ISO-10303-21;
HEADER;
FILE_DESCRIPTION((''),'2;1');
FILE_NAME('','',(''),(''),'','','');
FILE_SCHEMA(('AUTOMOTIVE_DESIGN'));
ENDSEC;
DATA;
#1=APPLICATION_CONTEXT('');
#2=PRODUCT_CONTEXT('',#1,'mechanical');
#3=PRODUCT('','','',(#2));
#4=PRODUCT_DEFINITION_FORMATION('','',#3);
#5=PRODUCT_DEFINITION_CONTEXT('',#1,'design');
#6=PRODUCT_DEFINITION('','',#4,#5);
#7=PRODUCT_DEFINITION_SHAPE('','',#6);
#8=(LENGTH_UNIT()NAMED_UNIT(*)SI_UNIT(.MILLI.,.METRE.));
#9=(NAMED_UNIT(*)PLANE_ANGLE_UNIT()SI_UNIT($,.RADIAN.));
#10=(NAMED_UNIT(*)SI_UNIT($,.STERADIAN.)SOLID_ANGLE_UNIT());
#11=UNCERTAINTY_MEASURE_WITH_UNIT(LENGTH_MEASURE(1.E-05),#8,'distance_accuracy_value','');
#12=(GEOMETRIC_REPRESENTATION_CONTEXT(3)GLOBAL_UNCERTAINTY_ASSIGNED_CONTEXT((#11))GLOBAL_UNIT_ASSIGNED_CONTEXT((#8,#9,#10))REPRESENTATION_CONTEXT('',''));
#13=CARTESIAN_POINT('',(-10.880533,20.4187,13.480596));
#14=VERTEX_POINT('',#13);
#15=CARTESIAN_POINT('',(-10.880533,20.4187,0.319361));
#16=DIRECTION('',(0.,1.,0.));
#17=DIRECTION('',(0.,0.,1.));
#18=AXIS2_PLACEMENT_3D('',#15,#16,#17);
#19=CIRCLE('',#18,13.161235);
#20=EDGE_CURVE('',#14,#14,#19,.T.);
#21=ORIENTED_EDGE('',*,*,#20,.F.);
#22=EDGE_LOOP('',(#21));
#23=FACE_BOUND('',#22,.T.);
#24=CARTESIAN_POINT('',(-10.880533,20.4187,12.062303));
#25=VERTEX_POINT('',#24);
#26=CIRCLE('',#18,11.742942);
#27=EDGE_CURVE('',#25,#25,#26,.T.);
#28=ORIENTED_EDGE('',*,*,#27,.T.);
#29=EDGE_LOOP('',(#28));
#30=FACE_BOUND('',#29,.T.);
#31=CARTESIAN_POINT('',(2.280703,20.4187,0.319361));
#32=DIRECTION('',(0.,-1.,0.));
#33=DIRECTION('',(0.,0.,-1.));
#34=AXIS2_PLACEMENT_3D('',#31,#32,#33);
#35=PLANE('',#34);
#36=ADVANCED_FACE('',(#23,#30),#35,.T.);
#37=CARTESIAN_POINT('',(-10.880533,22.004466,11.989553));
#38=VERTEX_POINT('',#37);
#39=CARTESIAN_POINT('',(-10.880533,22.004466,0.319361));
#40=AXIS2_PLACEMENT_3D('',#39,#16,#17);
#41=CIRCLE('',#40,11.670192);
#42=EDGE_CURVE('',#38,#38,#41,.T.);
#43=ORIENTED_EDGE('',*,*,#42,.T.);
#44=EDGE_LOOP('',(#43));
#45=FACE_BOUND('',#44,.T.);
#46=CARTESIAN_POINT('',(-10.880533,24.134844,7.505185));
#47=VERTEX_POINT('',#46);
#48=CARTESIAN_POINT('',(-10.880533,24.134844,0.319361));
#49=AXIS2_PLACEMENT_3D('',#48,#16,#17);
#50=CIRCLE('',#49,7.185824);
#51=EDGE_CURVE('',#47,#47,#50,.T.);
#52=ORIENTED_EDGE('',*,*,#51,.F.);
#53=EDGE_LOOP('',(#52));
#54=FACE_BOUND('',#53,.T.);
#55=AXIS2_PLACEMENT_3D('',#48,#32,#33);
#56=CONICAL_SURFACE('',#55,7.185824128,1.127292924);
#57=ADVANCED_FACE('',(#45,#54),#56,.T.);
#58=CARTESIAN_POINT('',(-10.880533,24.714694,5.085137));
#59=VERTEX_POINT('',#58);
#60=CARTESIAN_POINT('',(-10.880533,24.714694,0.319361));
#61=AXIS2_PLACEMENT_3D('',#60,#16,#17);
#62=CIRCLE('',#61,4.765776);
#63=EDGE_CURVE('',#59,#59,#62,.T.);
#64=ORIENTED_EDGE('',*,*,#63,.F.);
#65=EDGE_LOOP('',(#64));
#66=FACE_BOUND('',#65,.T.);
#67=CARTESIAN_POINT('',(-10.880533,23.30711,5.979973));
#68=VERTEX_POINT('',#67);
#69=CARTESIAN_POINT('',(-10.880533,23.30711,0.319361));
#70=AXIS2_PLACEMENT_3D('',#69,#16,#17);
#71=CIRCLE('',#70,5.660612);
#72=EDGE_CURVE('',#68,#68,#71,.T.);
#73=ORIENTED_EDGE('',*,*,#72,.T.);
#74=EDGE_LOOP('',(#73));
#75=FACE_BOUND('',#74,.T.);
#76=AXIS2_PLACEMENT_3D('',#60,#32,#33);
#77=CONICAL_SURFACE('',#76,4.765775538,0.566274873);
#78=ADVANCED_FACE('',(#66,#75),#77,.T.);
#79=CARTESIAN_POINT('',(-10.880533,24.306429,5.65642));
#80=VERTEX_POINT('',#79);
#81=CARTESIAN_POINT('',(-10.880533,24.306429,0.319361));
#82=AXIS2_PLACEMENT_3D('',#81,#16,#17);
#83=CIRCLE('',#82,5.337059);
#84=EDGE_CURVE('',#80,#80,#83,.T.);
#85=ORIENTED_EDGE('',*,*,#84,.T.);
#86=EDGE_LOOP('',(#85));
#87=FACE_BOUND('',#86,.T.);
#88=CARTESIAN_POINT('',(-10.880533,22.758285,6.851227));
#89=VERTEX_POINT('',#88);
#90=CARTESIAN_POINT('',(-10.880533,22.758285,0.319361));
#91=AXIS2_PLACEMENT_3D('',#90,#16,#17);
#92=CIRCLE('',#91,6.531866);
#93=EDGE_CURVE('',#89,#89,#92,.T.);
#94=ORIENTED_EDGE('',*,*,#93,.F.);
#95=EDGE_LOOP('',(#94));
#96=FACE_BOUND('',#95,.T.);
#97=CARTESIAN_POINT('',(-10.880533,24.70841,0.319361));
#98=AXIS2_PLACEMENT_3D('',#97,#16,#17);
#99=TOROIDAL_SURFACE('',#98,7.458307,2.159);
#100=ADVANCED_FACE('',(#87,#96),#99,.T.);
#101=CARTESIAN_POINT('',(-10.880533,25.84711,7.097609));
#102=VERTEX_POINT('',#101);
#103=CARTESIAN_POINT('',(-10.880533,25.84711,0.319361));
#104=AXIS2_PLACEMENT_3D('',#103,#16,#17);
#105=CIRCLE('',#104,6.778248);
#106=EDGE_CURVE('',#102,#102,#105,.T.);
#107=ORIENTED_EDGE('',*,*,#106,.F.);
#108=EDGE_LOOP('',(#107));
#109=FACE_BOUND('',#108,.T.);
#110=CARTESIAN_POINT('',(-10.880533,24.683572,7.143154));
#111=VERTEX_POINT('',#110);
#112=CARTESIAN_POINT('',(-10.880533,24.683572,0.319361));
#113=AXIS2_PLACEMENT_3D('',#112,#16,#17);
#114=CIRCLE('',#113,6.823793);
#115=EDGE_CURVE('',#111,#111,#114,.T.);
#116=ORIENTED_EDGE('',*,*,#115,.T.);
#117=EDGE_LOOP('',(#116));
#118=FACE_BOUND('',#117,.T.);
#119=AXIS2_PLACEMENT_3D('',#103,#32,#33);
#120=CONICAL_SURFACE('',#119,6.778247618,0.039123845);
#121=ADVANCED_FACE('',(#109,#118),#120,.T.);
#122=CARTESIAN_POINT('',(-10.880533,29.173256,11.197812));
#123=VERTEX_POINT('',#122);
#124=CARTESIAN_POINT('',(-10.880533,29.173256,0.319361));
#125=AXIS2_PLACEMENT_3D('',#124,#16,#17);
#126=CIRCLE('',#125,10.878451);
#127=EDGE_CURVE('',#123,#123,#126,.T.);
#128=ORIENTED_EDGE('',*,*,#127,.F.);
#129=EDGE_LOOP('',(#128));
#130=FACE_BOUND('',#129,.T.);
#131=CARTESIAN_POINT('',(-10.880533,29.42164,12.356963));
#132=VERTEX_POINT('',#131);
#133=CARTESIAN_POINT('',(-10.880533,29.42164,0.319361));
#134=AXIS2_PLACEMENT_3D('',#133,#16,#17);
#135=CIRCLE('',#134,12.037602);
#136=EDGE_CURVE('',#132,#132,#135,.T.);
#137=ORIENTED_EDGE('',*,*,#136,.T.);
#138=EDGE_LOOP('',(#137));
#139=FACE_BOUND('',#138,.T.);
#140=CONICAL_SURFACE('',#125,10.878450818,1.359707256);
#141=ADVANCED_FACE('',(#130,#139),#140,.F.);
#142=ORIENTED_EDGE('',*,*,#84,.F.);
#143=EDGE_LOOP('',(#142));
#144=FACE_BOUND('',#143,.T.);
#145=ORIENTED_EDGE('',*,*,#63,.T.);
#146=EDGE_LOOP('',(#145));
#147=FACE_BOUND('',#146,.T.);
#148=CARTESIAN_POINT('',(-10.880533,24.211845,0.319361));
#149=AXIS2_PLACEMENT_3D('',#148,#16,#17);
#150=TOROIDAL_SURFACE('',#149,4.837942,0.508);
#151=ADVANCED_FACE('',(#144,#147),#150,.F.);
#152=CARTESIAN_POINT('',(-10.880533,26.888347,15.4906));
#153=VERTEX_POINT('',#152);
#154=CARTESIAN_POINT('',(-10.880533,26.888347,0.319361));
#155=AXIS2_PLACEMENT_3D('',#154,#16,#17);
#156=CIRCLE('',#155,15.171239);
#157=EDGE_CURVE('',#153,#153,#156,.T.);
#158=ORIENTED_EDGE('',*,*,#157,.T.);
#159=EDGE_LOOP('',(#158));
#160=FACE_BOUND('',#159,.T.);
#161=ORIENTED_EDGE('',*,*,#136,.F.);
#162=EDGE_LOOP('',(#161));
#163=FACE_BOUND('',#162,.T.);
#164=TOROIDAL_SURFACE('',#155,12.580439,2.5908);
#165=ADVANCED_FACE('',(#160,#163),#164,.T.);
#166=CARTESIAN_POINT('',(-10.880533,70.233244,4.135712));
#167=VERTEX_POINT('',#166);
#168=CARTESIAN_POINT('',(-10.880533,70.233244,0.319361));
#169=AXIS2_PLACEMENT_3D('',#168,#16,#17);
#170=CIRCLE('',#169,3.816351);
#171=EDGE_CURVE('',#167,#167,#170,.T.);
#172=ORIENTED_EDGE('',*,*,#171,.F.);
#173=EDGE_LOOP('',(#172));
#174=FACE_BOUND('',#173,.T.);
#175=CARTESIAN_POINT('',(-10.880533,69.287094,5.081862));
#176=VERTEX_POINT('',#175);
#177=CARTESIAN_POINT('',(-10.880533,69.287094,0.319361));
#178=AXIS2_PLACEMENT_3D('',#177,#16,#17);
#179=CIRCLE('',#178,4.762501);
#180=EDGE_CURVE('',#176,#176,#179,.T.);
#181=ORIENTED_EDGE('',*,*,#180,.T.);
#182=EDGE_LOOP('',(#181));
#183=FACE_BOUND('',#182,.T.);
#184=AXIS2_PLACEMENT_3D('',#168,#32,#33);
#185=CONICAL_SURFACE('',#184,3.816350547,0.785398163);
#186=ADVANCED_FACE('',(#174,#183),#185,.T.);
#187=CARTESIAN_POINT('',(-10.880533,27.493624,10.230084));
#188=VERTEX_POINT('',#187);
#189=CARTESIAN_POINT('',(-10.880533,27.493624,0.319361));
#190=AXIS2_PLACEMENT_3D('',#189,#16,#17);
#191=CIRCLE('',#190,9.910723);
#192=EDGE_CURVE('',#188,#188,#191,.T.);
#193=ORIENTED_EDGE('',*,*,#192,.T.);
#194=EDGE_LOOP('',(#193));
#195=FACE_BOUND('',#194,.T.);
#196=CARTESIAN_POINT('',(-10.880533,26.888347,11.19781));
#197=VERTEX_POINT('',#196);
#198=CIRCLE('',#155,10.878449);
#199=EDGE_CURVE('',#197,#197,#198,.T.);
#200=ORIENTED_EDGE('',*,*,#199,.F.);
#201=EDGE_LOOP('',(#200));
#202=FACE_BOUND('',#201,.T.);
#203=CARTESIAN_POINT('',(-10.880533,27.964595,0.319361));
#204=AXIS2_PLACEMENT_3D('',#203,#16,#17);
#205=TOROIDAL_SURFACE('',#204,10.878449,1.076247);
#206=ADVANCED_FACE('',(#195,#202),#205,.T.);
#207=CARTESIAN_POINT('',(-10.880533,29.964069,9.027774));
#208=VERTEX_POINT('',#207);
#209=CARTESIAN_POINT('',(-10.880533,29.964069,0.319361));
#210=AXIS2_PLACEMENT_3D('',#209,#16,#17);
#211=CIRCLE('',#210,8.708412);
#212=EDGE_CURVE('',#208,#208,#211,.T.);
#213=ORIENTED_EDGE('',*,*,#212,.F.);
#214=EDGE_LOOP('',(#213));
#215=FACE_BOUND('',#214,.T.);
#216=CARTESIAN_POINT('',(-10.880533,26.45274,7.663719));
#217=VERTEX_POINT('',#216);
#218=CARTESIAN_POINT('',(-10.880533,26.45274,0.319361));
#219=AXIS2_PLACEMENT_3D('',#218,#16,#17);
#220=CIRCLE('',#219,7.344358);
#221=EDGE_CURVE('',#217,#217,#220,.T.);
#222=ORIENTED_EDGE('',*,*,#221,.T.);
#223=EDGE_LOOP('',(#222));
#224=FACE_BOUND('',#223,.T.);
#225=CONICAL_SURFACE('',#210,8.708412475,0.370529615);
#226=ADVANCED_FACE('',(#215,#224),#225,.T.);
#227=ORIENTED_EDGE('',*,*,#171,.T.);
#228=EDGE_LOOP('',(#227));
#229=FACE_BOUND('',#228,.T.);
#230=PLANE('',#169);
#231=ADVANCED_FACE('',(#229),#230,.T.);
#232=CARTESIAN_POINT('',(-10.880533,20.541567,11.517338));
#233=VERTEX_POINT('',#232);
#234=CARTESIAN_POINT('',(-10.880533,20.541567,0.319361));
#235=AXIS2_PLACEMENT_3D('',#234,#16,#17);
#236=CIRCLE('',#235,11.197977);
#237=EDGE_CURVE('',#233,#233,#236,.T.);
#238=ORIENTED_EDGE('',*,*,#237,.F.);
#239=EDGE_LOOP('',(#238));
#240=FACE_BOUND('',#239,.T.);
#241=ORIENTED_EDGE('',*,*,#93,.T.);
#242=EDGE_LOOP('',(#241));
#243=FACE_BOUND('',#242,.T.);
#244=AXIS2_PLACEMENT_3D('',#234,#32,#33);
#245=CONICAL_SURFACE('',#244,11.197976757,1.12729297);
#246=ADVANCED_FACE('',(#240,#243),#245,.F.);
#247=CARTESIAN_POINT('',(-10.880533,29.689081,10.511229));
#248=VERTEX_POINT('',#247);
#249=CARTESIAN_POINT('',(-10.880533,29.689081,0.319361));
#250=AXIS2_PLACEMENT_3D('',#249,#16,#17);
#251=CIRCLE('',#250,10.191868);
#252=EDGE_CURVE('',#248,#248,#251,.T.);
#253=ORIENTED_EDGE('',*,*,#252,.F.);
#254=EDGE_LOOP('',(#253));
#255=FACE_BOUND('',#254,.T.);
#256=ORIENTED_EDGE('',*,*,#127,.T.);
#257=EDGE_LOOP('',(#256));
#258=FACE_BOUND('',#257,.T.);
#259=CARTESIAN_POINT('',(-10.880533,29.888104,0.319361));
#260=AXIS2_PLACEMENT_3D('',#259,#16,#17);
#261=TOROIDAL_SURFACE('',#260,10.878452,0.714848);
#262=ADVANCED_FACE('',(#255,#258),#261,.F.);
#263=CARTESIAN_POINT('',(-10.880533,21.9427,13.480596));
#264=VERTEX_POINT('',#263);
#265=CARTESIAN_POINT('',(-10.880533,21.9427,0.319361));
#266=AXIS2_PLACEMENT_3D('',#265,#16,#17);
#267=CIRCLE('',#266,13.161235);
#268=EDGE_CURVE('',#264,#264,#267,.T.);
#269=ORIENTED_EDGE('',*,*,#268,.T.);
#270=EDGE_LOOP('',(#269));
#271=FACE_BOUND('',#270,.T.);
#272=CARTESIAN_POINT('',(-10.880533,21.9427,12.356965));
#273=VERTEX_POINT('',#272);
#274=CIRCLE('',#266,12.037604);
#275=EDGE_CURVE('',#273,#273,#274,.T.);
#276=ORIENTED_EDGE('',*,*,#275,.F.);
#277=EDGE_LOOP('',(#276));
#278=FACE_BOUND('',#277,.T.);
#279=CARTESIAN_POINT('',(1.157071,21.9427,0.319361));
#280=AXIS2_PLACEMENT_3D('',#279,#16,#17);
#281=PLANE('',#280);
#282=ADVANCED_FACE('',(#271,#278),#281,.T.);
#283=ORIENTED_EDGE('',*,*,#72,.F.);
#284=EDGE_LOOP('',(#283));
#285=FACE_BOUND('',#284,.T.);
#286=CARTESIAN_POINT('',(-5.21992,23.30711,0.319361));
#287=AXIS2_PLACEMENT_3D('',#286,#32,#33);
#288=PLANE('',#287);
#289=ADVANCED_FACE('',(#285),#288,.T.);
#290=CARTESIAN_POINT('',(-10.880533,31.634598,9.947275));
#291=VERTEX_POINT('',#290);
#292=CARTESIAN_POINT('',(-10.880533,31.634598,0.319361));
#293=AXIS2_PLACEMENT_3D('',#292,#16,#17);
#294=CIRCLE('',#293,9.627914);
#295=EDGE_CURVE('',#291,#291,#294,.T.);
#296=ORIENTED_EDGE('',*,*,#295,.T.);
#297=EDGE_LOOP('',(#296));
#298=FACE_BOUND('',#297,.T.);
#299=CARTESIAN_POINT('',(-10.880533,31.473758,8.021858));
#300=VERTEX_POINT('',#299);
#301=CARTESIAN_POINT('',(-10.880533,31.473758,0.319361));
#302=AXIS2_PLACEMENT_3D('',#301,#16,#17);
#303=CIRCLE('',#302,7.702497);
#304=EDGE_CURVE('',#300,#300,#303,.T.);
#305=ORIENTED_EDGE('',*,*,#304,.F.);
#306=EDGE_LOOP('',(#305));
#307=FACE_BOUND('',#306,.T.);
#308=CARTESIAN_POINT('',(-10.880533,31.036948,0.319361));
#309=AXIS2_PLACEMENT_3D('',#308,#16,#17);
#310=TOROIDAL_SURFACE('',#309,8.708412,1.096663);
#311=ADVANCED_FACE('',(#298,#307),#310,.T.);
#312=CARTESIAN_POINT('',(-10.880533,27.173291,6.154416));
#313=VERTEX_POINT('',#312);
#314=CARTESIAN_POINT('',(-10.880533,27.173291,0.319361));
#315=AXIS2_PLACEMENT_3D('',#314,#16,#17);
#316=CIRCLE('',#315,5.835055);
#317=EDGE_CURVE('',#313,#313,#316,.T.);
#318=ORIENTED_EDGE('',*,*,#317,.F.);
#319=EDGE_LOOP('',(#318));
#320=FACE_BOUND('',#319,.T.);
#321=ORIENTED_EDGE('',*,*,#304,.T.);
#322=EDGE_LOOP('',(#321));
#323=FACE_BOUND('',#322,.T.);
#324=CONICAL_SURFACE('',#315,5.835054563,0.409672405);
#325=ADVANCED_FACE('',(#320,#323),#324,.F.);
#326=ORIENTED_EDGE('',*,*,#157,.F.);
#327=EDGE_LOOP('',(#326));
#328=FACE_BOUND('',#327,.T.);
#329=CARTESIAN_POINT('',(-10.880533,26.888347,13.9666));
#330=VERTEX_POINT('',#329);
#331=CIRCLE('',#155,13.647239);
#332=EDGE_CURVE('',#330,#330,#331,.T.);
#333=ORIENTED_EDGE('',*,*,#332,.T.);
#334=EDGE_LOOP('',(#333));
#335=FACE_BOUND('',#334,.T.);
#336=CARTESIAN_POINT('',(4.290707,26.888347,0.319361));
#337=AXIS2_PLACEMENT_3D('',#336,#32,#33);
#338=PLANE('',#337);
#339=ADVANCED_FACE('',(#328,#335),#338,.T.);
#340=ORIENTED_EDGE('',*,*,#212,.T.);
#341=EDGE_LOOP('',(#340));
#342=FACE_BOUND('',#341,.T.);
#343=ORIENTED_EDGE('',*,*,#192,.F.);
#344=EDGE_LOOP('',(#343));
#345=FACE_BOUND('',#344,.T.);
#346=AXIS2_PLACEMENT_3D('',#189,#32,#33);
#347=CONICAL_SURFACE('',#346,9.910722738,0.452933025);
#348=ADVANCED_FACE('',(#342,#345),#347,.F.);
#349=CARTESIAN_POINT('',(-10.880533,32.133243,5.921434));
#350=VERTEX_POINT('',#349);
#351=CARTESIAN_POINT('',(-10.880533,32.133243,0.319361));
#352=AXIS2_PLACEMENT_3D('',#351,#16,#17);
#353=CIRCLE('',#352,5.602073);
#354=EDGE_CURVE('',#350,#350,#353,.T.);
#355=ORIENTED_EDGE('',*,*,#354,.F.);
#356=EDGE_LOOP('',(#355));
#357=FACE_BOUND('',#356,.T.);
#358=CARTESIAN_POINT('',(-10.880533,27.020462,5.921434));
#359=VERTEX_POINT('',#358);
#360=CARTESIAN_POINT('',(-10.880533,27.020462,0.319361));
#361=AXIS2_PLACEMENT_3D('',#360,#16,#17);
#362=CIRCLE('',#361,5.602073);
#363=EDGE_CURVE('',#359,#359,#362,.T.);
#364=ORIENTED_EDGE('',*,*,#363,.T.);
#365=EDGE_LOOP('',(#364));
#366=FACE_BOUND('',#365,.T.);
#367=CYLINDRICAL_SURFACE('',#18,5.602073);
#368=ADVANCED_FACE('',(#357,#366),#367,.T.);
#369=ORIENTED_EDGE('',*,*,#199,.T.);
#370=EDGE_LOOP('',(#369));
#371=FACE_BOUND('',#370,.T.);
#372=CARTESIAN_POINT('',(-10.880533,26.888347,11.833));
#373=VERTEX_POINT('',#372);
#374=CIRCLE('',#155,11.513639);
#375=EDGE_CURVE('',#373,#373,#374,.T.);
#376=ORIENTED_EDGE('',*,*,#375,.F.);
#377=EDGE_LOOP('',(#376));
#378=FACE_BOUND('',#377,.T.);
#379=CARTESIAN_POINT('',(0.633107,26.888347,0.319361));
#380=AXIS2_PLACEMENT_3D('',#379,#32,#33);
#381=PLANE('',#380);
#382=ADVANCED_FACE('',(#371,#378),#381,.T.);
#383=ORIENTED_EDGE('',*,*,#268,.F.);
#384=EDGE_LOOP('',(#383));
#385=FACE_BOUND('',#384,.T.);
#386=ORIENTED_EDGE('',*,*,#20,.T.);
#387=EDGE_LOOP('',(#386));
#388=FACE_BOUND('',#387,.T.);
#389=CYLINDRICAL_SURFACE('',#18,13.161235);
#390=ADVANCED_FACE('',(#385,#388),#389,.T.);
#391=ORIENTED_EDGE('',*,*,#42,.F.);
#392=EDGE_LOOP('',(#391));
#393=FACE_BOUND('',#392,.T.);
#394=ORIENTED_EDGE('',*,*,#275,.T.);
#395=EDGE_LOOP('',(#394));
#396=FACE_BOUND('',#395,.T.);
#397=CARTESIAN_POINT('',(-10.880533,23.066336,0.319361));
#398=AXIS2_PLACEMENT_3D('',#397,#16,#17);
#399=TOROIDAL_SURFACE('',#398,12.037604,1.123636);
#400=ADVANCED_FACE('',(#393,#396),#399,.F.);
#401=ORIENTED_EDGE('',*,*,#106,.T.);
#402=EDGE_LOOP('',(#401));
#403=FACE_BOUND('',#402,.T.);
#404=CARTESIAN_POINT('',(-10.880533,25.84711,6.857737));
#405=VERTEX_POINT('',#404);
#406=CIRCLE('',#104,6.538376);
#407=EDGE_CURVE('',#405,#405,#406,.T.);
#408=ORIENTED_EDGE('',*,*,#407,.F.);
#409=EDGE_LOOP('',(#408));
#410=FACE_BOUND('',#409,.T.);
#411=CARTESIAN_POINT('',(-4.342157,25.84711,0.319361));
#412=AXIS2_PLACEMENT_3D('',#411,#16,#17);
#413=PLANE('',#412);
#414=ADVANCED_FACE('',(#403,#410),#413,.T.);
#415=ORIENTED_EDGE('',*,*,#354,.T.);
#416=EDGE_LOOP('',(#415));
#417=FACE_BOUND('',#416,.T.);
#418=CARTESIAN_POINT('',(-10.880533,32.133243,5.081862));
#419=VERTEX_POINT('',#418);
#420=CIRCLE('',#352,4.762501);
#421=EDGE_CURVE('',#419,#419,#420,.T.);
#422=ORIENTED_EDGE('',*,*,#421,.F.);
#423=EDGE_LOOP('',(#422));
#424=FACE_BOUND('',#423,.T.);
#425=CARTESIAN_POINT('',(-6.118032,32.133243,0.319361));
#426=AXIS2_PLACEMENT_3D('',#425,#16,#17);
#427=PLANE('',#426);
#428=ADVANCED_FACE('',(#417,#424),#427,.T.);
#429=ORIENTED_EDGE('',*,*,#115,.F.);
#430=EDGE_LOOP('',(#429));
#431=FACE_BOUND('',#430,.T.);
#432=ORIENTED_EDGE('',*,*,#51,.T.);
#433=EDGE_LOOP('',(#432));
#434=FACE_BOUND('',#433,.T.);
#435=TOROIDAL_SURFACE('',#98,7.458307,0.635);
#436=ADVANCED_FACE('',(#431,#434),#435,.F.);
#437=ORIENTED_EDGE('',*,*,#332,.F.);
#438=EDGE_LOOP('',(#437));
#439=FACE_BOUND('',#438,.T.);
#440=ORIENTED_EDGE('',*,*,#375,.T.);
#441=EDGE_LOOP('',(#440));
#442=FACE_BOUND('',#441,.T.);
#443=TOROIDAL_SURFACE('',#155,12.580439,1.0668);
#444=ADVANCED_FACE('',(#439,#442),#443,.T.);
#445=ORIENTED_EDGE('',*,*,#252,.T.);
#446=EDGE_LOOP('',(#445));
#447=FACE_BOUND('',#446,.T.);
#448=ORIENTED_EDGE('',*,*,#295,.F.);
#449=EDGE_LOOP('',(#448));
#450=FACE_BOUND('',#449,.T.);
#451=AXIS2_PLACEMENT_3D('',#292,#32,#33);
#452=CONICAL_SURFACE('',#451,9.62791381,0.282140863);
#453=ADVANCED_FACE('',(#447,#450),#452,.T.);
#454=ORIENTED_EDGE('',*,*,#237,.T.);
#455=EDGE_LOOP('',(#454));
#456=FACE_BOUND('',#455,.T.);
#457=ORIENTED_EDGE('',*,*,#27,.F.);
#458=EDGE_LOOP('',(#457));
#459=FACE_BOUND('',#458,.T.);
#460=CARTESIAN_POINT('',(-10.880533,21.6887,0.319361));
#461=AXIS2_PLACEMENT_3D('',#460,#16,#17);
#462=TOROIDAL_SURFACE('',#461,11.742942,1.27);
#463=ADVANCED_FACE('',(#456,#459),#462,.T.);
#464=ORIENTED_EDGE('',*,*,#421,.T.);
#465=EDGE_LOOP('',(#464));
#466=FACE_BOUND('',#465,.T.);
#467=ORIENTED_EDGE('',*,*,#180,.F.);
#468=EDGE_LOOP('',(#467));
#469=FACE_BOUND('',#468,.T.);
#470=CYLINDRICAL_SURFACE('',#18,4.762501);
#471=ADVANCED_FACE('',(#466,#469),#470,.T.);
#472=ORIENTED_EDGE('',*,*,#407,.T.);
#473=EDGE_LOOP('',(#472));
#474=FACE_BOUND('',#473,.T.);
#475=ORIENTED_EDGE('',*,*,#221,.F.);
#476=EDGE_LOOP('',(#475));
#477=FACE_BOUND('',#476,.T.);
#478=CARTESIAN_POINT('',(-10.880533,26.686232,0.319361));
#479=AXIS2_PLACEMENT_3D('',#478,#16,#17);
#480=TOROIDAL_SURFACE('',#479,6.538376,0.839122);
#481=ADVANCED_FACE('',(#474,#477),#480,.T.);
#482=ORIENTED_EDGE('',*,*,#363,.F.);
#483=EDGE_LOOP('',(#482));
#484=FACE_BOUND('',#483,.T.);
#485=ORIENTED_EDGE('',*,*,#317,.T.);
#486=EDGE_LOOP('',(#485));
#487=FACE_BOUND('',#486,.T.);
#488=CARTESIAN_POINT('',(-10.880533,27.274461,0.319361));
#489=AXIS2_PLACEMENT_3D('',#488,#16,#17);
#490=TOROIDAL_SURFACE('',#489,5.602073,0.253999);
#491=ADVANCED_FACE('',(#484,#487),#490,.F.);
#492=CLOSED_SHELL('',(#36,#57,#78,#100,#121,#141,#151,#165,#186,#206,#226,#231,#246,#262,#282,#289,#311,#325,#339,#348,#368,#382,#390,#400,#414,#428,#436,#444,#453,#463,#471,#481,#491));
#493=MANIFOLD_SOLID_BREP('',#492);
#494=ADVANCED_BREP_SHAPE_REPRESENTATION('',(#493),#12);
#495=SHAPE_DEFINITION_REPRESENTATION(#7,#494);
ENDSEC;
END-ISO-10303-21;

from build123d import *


with BuildPart() as part:
    # Sketch1 → Revolve1 (revolve)
    with BuildSketch(Plane(origin=(0, 0, 0.319361058), x_dir=(-1, 0, 0), z_dir=(0, 0, -1)), mode=Mode.PRIVATE) as revolve1_sk:
        with BuildLine():
            Line((5.219920394, 23.307110223), (10.880532644, 23.307110223))
            Line((10.880532644, 23.307110223), (10.880532644, 70.23324387))
            Line((10.880532644, 70.23324387), (7.064182097, 70.23324387))
            Line((7.064182097, 70.23324387), (6.118031843, 69.287093616))
            Line((6.118031843, 69.287093616), (6.118031843, 32.1332426))
            Line((6.118031843, 32.1332426), (5.278459227, 32.1332426))
            Line((5.278459227, 32.1332426), (5.278459227, 27.020461867))
            ThreePointArc((5.278459227, 27.020461867), (5.139142192, 27.062078487), (5.045478081, 27.173290957))
            Line((5.045478081, 27.173290957), (3.178035559, 31.473758126))
            ThreePointArc((3.178035559, 31.473758126), (2.263412274, 32.129803953), (1.252618834, 31.634598436))
            Line((1.252618834, 31.634598436), (0.688664711, 29.689081353))
            ThreePointArc((0.688664711, 29.689081353), (0.43146251, 29.316580636), (0.002081826, 29.173255886))
            Line((0.002081826, 29.173255886), (-1.157069426, 29.421640272))
            ThreePointArc((-1.157069426, 29.421640272), (-3.328688696, 28.903121287), (-4.29070663, 26.888347432))
            Line((-4.29070663, 26.888347432), (-2.766706598, 26.888347432))
            ThreePointArc((-2.766706598, 26.888347432), (-1.699906598, 25.821547432), (-0.633106598, 26.888347432))
            Line((-0.633106598, 26.888347432), (0.002083353, 26.888347432))
            ThreePointArc((0.002083353, 26.888347432), (0.572796555, 27.052128464), (0.969809906, 27.49362386))
            Line((0.969809906, 27.49362386), (2.172120169, 29.964068738))
            Line((2.172120169, 29.964068738), (3.536175099, 26.452739972))
            ThreePointArc((3.536175099, 26.452739972), (3.838075114, 26.015391646), (4.342157, 25.847110246))
            Line((4.342157, 25.847110246), (4.102285026, 25.847110246))
            Line((4.102285026, 25.847110246), (4.056739711, 24.683572406))
            ThreePointArc((4.056739711, 24.683572406), (3.952260249, 24.358712352), (3.694708516, 24.134843825))
            Line((3.694708516, 24.134843825), (-0.789659198, 22.004466497))
            ThreePointArc((-0.789659198, 22.004466497), (-0.970787361, 21.958248999), (-1.157071252, 21.942699715))
            Line((-1.157071252, 21.942699715), (-2.280702576, 21.942699715))
            Line((-2.280702576, 21.942699715), (-2.280702576, 20.418699828))
            Line((-2.280702576, 20.418699828), (-0.862409405, 20.418699828))
            ThreePointArc((-0.862409405, 20.418699828), (-0.583087187, 20.44979745), (-0.317444113, 20.541567385))
            Line((-0.317444113, 20.541567385), (4.348666866, 22.758284767))
            ThreePointArc((4.348666866, 22.758284767), (5.131403916, 23.38932259), (5.543473661, 24.306429207))
            ThreePointArc((5.543473661, 24.306429207), (5.747223761, 24.625152196), (6.114757106, 24.714693734))
            Line((6.114757106, 24.714693734), (5.219920394, 23.307110223))
        make_face()
    revolve(revolve1_sk.sketch.rotate(Axis((-10.880532644, 20.418699693, 0.319361058), (0, 1, 0)), 270), axis=Axis((-10.880532644, 20.418699693, 0.319361058), (0, 1, 0)))


solid = part.part
